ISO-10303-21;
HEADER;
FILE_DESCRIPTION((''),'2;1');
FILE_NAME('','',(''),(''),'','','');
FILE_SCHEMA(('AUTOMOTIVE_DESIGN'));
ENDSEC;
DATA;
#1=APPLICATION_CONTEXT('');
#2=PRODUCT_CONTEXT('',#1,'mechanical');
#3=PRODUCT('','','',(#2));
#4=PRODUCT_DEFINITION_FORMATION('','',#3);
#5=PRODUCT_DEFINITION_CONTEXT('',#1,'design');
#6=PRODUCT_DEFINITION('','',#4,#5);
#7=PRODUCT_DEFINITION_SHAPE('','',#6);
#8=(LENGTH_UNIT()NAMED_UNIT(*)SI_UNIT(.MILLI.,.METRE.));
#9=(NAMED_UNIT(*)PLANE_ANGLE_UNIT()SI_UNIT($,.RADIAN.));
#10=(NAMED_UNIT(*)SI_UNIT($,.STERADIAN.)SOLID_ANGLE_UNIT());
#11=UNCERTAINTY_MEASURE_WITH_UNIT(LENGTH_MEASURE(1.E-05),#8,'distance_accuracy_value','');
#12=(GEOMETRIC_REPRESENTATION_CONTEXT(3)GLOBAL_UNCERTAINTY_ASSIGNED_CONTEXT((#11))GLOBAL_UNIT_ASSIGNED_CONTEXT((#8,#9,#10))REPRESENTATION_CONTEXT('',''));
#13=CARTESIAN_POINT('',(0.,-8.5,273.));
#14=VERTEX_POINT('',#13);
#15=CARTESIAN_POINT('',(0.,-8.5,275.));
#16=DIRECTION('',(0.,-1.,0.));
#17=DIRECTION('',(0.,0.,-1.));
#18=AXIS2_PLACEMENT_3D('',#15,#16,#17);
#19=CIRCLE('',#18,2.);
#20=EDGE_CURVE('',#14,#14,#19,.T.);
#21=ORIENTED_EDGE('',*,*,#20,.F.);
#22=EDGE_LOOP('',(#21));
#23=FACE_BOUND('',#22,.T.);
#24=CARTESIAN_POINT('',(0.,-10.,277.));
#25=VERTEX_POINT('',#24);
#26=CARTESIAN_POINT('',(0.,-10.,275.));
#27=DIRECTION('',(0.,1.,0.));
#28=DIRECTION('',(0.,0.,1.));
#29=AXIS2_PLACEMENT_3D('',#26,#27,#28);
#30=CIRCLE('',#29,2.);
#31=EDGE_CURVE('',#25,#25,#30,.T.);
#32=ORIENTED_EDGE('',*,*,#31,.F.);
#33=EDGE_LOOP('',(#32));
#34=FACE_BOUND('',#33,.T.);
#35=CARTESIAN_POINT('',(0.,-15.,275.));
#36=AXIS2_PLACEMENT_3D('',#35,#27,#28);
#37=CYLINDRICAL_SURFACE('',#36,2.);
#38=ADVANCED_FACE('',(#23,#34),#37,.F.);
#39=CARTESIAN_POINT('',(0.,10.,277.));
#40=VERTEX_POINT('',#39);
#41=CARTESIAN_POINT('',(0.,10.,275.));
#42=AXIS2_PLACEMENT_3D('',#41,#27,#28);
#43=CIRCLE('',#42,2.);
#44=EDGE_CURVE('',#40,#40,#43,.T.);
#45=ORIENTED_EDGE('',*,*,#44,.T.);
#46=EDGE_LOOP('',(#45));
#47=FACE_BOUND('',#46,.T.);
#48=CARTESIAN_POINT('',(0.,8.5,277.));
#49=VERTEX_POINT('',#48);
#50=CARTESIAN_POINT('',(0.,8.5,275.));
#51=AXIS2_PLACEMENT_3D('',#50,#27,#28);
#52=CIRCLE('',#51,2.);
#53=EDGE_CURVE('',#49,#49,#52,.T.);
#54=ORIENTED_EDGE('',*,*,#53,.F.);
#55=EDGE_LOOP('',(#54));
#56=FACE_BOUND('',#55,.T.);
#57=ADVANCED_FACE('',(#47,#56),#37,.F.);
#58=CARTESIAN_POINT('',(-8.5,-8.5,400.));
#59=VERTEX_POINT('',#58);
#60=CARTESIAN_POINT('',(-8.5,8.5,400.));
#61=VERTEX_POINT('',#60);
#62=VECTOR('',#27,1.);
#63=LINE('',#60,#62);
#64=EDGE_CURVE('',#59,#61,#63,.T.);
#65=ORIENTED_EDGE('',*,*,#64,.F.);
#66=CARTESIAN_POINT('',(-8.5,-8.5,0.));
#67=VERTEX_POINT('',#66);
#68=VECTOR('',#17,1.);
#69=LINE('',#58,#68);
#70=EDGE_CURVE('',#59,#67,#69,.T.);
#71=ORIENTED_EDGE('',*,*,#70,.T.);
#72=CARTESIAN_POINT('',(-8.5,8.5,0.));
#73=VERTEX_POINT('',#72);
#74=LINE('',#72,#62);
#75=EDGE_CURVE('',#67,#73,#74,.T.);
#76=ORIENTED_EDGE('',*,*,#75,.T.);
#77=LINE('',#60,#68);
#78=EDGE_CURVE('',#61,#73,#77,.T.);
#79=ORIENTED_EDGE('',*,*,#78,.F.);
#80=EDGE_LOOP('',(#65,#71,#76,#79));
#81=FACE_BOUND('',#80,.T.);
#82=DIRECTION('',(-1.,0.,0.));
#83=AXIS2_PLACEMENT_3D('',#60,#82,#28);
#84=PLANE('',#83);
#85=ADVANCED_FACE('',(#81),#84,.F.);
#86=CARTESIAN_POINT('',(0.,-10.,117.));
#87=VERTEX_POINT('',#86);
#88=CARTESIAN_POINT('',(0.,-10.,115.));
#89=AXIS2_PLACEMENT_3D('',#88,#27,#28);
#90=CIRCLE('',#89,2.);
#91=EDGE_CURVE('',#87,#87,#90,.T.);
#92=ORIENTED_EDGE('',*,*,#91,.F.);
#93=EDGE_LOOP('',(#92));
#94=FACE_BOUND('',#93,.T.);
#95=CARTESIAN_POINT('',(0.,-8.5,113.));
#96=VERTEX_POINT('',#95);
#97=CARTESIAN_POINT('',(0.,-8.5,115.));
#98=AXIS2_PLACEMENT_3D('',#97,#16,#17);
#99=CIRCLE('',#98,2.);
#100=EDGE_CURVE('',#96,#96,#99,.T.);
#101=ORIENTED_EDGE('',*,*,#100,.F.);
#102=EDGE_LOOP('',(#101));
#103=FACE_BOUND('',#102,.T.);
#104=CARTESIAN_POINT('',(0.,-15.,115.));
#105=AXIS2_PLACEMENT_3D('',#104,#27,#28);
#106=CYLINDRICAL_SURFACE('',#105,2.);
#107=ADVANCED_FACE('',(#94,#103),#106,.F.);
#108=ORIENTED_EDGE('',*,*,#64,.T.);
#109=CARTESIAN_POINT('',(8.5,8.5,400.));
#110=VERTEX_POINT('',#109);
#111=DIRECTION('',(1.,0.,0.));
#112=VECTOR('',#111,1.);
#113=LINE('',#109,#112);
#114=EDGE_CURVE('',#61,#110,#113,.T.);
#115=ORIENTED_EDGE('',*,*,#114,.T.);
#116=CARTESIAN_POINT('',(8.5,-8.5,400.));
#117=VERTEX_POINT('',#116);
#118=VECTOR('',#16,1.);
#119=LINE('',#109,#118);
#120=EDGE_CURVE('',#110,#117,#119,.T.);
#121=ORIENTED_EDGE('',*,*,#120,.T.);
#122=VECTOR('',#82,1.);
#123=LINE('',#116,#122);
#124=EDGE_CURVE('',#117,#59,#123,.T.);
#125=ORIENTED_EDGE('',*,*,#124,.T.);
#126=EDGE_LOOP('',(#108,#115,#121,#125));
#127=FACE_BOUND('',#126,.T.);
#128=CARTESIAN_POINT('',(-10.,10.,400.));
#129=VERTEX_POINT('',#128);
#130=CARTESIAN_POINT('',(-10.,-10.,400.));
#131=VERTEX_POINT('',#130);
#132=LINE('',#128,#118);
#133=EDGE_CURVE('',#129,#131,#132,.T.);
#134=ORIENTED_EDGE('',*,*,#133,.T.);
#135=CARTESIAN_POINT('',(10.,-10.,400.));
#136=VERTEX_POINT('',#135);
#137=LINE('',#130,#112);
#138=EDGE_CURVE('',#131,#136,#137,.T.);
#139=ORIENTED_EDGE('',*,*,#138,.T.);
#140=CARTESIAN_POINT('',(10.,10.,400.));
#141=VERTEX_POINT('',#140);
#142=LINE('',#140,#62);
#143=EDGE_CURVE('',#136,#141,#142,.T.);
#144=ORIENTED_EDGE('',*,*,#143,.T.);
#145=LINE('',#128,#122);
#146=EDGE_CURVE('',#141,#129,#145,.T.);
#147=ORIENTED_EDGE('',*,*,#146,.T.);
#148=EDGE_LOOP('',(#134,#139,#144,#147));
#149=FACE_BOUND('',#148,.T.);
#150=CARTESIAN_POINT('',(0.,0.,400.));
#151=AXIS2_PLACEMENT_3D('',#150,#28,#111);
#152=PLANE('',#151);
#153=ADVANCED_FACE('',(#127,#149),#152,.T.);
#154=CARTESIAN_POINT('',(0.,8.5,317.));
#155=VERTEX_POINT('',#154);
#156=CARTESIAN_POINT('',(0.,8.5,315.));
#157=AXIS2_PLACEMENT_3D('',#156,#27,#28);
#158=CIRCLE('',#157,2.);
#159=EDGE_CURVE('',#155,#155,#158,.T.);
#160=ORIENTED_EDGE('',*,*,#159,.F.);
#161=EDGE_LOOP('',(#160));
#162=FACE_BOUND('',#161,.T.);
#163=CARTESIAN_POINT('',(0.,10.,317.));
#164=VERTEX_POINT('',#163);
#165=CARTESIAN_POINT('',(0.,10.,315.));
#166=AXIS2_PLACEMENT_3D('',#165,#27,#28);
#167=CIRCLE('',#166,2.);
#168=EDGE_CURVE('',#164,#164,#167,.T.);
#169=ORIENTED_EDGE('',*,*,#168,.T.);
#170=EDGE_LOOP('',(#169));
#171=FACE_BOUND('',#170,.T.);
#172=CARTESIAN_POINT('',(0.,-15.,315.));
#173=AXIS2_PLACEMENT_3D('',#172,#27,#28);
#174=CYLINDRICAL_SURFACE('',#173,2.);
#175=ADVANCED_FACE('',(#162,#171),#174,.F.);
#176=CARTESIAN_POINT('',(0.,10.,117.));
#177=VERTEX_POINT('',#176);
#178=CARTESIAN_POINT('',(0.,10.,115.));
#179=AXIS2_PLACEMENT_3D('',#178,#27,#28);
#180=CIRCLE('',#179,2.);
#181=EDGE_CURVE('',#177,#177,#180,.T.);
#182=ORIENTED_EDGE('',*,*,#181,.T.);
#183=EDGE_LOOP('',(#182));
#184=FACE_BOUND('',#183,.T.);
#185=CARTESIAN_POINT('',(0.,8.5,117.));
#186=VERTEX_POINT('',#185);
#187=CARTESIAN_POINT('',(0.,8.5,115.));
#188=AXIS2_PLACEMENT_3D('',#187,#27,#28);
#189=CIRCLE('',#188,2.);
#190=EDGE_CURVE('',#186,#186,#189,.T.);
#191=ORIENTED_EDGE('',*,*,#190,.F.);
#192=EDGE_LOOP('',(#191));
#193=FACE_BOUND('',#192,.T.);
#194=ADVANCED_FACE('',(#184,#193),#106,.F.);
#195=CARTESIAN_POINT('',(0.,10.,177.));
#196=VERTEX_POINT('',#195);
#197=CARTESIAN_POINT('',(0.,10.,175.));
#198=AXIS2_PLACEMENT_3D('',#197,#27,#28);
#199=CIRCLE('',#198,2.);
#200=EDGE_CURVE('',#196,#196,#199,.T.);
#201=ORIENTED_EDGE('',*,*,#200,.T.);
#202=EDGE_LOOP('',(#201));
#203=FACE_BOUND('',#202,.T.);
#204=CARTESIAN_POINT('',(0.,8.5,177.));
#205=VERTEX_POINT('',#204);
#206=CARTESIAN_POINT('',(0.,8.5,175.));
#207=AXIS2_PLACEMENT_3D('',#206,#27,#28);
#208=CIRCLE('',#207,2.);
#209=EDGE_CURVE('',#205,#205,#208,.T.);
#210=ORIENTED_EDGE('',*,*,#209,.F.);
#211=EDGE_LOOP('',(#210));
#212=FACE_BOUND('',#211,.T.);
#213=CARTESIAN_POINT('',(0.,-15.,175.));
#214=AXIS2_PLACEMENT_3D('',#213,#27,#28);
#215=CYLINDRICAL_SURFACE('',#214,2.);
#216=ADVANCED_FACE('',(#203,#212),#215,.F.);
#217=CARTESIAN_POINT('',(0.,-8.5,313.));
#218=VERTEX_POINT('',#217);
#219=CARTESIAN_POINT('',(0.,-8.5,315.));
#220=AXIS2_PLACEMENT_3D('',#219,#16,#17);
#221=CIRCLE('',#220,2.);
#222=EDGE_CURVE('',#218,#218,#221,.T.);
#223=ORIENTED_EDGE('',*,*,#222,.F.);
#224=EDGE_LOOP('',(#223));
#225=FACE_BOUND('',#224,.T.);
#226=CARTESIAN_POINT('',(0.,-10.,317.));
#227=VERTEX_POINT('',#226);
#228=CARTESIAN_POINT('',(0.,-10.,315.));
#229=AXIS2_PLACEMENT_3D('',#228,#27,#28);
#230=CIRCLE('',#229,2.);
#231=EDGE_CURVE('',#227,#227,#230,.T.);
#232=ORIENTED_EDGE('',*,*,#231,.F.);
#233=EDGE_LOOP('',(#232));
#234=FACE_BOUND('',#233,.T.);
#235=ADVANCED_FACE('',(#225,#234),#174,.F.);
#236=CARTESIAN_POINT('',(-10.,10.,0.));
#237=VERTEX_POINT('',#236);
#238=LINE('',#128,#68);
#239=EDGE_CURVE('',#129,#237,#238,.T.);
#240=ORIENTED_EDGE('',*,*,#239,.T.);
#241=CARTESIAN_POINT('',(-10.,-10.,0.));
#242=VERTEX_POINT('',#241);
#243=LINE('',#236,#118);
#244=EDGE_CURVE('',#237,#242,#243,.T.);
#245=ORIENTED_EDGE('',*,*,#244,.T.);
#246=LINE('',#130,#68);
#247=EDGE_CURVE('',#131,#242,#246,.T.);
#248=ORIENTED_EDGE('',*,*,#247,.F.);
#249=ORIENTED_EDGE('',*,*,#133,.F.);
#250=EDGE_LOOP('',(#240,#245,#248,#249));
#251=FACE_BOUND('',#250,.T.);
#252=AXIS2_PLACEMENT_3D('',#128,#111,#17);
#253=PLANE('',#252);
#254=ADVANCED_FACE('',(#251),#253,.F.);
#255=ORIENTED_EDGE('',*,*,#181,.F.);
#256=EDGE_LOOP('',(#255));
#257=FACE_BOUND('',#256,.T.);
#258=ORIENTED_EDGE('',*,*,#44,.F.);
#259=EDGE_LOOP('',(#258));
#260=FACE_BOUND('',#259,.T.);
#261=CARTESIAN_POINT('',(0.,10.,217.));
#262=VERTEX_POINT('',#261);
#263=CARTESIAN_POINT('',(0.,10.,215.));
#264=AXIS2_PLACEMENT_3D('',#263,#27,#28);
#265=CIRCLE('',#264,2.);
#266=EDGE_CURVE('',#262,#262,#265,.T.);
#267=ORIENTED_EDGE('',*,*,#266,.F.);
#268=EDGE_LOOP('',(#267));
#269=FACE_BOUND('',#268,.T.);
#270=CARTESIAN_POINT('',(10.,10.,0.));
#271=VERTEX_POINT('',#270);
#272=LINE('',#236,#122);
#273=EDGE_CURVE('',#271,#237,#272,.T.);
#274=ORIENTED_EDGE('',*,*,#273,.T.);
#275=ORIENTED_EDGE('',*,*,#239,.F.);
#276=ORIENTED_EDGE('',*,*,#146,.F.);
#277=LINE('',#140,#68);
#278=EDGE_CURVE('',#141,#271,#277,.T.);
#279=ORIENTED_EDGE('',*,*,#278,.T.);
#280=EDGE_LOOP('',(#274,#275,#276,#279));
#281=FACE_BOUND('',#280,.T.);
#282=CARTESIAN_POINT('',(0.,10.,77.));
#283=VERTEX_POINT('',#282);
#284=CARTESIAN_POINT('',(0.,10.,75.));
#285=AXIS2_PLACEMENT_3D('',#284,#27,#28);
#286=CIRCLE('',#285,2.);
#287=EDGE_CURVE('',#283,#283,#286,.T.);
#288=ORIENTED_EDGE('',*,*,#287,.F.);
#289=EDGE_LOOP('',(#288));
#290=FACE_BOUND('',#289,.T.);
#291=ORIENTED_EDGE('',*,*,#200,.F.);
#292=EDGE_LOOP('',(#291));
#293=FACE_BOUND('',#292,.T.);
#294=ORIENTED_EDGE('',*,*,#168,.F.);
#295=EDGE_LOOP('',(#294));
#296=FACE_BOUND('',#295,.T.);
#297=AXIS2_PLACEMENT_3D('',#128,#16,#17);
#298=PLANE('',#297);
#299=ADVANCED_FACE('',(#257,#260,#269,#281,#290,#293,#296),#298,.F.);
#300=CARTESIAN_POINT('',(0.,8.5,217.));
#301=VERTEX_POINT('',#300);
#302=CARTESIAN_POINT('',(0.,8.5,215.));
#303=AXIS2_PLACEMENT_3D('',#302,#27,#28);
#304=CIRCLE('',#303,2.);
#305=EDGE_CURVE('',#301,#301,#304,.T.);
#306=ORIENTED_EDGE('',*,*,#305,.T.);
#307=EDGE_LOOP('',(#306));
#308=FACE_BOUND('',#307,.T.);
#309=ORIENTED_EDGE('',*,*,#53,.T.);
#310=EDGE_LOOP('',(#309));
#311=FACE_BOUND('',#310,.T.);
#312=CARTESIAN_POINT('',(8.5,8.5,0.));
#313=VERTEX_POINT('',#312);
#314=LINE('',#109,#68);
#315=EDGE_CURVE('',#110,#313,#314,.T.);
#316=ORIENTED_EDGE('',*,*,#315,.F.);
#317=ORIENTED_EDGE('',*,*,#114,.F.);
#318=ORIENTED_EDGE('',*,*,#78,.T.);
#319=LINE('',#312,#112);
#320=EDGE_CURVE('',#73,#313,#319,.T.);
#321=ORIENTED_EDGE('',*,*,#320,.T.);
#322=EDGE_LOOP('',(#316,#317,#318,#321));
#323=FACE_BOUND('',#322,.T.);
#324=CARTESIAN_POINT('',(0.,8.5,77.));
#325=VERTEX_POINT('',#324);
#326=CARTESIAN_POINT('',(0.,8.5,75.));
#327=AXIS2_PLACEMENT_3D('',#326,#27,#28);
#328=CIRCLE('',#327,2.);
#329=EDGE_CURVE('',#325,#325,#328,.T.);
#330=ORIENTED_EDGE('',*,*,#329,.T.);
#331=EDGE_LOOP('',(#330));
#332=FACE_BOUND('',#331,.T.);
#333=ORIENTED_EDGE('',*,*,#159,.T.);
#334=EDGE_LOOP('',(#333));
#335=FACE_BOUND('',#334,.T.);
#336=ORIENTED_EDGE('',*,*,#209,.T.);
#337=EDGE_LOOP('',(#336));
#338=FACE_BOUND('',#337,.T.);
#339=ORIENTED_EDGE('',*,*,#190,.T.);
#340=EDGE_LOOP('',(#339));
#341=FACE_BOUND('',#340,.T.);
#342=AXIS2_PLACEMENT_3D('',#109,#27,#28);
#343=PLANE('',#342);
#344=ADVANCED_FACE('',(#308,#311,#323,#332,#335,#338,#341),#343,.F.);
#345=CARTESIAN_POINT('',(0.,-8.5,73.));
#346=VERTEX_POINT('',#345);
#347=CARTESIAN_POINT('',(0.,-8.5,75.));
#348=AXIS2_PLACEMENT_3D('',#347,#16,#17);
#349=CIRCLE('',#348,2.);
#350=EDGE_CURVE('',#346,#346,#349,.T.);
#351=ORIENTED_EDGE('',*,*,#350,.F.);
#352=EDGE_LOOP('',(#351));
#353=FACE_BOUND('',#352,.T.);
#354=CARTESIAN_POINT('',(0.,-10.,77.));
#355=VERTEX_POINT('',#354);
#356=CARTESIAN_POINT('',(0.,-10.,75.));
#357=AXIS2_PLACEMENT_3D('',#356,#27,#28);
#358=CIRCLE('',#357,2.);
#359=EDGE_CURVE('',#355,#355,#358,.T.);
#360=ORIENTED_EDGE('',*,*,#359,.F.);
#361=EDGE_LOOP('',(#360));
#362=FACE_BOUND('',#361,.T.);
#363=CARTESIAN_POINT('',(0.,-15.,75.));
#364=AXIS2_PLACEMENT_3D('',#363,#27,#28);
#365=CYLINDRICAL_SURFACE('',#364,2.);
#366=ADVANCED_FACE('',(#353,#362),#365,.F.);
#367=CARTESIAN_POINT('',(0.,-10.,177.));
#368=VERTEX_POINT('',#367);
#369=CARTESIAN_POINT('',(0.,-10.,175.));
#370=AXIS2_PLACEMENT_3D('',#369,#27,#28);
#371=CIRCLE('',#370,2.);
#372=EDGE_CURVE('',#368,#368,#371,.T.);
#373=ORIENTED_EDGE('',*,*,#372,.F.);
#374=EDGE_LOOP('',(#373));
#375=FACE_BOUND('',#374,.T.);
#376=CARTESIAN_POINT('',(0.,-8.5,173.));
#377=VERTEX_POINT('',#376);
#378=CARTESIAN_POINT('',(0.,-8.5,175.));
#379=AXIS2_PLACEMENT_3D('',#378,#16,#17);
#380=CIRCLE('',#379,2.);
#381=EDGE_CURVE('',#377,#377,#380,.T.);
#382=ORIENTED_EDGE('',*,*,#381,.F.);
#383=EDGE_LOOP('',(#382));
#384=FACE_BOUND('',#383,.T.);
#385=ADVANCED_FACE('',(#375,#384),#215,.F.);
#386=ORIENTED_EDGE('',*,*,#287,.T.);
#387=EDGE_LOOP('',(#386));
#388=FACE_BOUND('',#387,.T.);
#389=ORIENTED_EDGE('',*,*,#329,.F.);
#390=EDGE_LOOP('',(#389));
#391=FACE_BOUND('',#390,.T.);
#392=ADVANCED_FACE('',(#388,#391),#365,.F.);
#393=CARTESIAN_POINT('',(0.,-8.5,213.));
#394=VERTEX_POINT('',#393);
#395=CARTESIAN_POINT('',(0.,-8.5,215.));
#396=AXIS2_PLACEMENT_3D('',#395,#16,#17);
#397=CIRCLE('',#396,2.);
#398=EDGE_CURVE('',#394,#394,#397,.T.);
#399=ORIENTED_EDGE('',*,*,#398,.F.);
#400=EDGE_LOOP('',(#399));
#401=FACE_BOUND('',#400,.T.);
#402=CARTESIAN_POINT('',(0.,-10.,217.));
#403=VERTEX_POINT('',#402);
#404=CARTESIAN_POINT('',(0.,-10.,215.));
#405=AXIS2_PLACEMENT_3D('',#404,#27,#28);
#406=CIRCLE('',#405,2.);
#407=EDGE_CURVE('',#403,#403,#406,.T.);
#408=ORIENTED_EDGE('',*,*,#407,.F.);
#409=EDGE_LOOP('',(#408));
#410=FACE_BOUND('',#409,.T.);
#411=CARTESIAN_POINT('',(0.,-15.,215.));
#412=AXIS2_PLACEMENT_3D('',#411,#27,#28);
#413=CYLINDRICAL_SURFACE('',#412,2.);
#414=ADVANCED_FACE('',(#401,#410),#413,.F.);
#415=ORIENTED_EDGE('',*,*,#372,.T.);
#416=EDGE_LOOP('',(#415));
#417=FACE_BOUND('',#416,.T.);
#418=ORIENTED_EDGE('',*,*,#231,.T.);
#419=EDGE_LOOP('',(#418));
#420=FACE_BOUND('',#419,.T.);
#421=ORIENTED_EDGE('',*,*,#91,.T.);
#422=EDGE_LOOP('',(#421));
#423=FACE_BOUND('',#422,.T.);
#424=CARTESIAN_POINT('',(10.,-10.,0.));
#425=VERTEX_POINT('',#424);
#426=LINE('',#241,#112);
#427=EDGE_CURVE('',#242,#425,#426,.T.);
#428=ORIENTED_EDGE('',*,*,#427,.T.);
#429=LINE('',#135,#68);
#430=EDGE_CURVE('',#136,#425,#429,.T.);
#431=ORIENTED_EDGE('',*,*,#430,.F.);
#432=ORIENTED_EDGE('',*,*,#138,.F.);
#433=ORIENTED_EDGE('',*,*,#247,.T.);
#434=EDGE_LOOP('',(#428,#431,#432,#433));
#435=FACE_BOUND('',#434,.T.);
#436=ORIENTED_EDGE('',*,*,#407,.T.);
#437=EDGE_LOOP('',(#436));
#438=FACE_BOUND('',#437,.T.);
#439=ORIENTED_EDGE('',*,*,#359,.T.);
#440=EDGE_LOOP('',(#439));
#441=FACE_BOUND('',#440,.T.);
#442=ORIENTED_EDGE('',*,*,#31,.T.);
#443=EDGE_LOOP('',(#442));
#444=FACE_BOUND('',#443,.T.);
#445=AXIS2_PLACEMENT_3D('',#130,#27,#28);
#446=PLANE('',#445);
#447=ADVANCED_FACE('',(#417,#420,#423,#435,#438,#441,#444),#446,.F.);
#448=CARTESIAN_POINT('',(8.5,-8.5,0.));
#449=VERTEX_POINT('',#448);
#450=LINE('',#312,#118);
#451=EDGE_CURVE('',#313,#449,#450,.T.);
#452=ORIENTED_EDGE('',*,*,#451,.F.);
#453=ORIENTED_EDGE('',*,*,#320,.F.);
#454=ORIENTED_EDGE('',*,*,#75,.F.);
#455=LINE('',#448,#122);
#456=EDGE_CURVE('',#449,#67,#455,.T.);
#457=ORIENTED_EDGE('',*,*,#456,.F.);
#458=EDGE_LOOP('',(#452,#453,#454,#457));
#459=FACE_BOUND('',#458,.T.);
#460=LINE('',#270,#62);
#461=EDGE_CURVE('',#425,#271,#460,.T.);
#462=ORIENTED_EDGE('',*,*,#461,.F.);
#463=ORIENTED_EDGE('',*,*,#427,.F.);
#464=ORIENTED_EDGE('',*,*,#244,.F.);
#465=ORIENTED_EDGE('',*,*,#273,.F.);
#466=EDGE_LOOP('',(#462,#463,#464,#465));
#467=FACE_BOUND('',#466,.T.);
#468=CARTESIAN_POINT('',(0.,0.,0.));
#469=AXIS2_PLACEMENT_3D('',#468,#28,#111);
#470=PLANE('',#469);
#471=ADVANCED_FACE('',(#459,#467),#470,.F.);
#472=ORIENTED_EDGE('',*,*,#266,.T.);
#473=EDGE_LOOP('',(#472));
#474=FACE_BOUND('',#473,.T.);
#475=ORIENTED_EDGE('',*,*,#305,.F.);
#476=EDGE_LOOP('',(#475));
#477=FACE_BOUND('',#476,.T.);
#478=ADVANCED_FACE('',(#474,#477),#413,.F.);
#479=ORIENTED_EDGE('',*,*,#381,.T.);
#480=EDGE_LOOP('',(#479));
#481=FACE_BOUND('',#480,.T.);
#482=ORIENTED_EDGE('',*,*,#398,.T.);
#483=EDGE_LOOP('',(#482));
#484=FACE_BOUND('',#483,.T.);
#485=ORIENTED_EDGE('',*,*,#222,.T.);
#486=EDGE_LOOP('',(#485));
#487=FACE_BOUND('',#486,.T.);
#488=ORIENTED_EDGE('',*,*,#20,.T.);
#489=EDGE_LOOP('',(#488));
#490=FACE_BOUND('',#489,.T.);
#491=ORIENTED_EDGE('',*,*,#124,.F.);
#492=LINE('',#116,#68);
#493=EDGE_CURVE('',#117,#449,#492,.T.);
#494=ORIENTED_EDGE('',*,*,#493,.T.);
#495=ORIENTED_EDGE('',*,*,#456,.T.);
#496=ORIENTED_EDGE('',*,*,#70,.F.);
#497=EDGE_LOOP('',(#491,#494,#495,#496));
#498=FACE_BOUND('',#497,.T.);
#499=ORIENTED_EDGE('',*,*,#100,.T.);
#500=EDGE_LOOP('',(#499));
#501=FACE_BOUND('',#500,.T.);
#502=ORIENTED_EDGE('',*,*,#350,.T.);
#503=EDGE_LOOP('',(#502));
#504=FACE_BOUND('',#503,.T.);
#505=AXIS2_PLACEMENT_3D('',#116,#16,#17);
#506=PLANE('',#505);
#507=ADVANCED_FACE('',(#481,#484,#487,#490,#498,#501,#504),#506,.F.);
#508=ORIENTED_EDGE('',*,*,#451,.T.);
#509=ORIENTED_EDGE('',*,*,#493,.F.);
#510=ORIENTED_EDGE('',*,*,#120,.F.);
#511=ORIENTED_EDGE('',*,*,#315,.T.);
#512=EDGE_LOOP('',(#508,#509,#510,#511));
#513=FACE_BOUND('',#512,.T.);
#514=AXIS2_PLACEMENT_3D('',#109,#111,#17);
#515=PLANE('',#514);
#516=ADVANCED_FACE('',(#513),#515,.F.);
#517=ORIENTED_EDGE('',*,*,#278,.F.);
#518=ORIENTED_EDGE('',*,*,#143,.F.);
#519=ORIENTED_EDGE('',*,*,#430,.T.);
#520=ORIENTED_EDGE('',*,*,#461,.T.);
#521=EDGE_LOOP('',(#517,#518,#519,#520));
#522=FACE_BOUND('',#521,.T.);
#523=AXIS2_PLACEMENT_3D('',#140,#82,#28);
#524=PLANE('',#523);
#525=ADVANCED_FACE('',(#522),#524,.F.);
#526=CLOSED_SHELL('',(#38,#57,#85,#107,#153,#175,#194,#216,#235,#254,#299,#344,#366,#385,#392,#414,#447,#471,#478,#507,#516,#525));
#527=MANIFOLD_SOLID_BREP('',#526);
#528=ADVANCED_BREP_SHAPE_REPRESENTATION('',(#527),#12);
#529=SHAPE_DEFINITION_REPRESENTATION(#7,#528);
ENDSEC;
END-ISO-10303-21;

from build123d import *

# Parameters (mm, degrees)
SKETCH1_W           = 20
SKETCH1_H           = 20
BOSS_EXTRUDE1_DEPTH = 400
SKETCH2_W           = 17
SKETCH2_H           = 17
CUT_EXTRUDE1_DEPTH  = 400
SKETCH3_R           = 2
CUT_EXTRUDE2_DEPTH  = 25
SKETCH4_R           = 2
CUT_EXTRUDE3_DEPTH  = 25
LPATTERN1_COUNT     = 3
LPATTERN1_PITCH     = 100


with BuildPart() as part:
    # Sketch1 → Boss-Extrude1 (new body)
    with BuildSketch(Plane.XY):
        Rectangle(SKETCH1_W, SKETCH1_H)
    extrude(amount=BOSS_EXTRUDE1_DEPTH)

    # Sketch2 → Cut-Extrude1 (cut)
    with BuildSketch(Plane(origin=(0, 0, 0), x_dir=(-1, 0, 0), z_dir=(0, 0, -1))):
        Rectangle(SKETCH2_W, SKETCH2_H)
    extrude(amount=-CUT_EXTRUDE1_DEPTH, mode=Mode.SUBTRACT)

    # Sketch3 → Cut-Extrude2 (cut)
    with BuildSketch(Plane(origin=(0, 10, 0), x_dir=(1, 0, 0), z_dir=(0, 1, 0))):
        with Locations((0, -75)):
            Circle(SKETCH3_R)
    cut_extrude2 = extrude(amount=-CUT_EXTRUDE2_DEPTH, mode=Mode.SUBTRACT)

    # Sketch4 → Cut-Extrude3 (cut)
    with BuildSketch(Plane(origin=(0, 10, 0), x_dir=(1, 0, 0), z_dir=(0, 1, 0))):
        with Locations((0, -115)):
            Circle(SKETCH4_R)
    cut_extrude3 = extrude(amount=-CUT_EXTRUDE3_DEPTH, mode=Mode.SUBTRACT)

    # LPattern1: Cut-Extrude2, Cut-Extrude3 ×3
    with Locations(*[(0, 0, i * LPATTERN1_PITCH) for i in range(1, LPATTERN1_COUNT)]):
        add(cut_extrude2, mode=Mode.SUBTRACT)
        add(cut_extrude3, mode=Mode.SUBTRACT)


solid = part.part
